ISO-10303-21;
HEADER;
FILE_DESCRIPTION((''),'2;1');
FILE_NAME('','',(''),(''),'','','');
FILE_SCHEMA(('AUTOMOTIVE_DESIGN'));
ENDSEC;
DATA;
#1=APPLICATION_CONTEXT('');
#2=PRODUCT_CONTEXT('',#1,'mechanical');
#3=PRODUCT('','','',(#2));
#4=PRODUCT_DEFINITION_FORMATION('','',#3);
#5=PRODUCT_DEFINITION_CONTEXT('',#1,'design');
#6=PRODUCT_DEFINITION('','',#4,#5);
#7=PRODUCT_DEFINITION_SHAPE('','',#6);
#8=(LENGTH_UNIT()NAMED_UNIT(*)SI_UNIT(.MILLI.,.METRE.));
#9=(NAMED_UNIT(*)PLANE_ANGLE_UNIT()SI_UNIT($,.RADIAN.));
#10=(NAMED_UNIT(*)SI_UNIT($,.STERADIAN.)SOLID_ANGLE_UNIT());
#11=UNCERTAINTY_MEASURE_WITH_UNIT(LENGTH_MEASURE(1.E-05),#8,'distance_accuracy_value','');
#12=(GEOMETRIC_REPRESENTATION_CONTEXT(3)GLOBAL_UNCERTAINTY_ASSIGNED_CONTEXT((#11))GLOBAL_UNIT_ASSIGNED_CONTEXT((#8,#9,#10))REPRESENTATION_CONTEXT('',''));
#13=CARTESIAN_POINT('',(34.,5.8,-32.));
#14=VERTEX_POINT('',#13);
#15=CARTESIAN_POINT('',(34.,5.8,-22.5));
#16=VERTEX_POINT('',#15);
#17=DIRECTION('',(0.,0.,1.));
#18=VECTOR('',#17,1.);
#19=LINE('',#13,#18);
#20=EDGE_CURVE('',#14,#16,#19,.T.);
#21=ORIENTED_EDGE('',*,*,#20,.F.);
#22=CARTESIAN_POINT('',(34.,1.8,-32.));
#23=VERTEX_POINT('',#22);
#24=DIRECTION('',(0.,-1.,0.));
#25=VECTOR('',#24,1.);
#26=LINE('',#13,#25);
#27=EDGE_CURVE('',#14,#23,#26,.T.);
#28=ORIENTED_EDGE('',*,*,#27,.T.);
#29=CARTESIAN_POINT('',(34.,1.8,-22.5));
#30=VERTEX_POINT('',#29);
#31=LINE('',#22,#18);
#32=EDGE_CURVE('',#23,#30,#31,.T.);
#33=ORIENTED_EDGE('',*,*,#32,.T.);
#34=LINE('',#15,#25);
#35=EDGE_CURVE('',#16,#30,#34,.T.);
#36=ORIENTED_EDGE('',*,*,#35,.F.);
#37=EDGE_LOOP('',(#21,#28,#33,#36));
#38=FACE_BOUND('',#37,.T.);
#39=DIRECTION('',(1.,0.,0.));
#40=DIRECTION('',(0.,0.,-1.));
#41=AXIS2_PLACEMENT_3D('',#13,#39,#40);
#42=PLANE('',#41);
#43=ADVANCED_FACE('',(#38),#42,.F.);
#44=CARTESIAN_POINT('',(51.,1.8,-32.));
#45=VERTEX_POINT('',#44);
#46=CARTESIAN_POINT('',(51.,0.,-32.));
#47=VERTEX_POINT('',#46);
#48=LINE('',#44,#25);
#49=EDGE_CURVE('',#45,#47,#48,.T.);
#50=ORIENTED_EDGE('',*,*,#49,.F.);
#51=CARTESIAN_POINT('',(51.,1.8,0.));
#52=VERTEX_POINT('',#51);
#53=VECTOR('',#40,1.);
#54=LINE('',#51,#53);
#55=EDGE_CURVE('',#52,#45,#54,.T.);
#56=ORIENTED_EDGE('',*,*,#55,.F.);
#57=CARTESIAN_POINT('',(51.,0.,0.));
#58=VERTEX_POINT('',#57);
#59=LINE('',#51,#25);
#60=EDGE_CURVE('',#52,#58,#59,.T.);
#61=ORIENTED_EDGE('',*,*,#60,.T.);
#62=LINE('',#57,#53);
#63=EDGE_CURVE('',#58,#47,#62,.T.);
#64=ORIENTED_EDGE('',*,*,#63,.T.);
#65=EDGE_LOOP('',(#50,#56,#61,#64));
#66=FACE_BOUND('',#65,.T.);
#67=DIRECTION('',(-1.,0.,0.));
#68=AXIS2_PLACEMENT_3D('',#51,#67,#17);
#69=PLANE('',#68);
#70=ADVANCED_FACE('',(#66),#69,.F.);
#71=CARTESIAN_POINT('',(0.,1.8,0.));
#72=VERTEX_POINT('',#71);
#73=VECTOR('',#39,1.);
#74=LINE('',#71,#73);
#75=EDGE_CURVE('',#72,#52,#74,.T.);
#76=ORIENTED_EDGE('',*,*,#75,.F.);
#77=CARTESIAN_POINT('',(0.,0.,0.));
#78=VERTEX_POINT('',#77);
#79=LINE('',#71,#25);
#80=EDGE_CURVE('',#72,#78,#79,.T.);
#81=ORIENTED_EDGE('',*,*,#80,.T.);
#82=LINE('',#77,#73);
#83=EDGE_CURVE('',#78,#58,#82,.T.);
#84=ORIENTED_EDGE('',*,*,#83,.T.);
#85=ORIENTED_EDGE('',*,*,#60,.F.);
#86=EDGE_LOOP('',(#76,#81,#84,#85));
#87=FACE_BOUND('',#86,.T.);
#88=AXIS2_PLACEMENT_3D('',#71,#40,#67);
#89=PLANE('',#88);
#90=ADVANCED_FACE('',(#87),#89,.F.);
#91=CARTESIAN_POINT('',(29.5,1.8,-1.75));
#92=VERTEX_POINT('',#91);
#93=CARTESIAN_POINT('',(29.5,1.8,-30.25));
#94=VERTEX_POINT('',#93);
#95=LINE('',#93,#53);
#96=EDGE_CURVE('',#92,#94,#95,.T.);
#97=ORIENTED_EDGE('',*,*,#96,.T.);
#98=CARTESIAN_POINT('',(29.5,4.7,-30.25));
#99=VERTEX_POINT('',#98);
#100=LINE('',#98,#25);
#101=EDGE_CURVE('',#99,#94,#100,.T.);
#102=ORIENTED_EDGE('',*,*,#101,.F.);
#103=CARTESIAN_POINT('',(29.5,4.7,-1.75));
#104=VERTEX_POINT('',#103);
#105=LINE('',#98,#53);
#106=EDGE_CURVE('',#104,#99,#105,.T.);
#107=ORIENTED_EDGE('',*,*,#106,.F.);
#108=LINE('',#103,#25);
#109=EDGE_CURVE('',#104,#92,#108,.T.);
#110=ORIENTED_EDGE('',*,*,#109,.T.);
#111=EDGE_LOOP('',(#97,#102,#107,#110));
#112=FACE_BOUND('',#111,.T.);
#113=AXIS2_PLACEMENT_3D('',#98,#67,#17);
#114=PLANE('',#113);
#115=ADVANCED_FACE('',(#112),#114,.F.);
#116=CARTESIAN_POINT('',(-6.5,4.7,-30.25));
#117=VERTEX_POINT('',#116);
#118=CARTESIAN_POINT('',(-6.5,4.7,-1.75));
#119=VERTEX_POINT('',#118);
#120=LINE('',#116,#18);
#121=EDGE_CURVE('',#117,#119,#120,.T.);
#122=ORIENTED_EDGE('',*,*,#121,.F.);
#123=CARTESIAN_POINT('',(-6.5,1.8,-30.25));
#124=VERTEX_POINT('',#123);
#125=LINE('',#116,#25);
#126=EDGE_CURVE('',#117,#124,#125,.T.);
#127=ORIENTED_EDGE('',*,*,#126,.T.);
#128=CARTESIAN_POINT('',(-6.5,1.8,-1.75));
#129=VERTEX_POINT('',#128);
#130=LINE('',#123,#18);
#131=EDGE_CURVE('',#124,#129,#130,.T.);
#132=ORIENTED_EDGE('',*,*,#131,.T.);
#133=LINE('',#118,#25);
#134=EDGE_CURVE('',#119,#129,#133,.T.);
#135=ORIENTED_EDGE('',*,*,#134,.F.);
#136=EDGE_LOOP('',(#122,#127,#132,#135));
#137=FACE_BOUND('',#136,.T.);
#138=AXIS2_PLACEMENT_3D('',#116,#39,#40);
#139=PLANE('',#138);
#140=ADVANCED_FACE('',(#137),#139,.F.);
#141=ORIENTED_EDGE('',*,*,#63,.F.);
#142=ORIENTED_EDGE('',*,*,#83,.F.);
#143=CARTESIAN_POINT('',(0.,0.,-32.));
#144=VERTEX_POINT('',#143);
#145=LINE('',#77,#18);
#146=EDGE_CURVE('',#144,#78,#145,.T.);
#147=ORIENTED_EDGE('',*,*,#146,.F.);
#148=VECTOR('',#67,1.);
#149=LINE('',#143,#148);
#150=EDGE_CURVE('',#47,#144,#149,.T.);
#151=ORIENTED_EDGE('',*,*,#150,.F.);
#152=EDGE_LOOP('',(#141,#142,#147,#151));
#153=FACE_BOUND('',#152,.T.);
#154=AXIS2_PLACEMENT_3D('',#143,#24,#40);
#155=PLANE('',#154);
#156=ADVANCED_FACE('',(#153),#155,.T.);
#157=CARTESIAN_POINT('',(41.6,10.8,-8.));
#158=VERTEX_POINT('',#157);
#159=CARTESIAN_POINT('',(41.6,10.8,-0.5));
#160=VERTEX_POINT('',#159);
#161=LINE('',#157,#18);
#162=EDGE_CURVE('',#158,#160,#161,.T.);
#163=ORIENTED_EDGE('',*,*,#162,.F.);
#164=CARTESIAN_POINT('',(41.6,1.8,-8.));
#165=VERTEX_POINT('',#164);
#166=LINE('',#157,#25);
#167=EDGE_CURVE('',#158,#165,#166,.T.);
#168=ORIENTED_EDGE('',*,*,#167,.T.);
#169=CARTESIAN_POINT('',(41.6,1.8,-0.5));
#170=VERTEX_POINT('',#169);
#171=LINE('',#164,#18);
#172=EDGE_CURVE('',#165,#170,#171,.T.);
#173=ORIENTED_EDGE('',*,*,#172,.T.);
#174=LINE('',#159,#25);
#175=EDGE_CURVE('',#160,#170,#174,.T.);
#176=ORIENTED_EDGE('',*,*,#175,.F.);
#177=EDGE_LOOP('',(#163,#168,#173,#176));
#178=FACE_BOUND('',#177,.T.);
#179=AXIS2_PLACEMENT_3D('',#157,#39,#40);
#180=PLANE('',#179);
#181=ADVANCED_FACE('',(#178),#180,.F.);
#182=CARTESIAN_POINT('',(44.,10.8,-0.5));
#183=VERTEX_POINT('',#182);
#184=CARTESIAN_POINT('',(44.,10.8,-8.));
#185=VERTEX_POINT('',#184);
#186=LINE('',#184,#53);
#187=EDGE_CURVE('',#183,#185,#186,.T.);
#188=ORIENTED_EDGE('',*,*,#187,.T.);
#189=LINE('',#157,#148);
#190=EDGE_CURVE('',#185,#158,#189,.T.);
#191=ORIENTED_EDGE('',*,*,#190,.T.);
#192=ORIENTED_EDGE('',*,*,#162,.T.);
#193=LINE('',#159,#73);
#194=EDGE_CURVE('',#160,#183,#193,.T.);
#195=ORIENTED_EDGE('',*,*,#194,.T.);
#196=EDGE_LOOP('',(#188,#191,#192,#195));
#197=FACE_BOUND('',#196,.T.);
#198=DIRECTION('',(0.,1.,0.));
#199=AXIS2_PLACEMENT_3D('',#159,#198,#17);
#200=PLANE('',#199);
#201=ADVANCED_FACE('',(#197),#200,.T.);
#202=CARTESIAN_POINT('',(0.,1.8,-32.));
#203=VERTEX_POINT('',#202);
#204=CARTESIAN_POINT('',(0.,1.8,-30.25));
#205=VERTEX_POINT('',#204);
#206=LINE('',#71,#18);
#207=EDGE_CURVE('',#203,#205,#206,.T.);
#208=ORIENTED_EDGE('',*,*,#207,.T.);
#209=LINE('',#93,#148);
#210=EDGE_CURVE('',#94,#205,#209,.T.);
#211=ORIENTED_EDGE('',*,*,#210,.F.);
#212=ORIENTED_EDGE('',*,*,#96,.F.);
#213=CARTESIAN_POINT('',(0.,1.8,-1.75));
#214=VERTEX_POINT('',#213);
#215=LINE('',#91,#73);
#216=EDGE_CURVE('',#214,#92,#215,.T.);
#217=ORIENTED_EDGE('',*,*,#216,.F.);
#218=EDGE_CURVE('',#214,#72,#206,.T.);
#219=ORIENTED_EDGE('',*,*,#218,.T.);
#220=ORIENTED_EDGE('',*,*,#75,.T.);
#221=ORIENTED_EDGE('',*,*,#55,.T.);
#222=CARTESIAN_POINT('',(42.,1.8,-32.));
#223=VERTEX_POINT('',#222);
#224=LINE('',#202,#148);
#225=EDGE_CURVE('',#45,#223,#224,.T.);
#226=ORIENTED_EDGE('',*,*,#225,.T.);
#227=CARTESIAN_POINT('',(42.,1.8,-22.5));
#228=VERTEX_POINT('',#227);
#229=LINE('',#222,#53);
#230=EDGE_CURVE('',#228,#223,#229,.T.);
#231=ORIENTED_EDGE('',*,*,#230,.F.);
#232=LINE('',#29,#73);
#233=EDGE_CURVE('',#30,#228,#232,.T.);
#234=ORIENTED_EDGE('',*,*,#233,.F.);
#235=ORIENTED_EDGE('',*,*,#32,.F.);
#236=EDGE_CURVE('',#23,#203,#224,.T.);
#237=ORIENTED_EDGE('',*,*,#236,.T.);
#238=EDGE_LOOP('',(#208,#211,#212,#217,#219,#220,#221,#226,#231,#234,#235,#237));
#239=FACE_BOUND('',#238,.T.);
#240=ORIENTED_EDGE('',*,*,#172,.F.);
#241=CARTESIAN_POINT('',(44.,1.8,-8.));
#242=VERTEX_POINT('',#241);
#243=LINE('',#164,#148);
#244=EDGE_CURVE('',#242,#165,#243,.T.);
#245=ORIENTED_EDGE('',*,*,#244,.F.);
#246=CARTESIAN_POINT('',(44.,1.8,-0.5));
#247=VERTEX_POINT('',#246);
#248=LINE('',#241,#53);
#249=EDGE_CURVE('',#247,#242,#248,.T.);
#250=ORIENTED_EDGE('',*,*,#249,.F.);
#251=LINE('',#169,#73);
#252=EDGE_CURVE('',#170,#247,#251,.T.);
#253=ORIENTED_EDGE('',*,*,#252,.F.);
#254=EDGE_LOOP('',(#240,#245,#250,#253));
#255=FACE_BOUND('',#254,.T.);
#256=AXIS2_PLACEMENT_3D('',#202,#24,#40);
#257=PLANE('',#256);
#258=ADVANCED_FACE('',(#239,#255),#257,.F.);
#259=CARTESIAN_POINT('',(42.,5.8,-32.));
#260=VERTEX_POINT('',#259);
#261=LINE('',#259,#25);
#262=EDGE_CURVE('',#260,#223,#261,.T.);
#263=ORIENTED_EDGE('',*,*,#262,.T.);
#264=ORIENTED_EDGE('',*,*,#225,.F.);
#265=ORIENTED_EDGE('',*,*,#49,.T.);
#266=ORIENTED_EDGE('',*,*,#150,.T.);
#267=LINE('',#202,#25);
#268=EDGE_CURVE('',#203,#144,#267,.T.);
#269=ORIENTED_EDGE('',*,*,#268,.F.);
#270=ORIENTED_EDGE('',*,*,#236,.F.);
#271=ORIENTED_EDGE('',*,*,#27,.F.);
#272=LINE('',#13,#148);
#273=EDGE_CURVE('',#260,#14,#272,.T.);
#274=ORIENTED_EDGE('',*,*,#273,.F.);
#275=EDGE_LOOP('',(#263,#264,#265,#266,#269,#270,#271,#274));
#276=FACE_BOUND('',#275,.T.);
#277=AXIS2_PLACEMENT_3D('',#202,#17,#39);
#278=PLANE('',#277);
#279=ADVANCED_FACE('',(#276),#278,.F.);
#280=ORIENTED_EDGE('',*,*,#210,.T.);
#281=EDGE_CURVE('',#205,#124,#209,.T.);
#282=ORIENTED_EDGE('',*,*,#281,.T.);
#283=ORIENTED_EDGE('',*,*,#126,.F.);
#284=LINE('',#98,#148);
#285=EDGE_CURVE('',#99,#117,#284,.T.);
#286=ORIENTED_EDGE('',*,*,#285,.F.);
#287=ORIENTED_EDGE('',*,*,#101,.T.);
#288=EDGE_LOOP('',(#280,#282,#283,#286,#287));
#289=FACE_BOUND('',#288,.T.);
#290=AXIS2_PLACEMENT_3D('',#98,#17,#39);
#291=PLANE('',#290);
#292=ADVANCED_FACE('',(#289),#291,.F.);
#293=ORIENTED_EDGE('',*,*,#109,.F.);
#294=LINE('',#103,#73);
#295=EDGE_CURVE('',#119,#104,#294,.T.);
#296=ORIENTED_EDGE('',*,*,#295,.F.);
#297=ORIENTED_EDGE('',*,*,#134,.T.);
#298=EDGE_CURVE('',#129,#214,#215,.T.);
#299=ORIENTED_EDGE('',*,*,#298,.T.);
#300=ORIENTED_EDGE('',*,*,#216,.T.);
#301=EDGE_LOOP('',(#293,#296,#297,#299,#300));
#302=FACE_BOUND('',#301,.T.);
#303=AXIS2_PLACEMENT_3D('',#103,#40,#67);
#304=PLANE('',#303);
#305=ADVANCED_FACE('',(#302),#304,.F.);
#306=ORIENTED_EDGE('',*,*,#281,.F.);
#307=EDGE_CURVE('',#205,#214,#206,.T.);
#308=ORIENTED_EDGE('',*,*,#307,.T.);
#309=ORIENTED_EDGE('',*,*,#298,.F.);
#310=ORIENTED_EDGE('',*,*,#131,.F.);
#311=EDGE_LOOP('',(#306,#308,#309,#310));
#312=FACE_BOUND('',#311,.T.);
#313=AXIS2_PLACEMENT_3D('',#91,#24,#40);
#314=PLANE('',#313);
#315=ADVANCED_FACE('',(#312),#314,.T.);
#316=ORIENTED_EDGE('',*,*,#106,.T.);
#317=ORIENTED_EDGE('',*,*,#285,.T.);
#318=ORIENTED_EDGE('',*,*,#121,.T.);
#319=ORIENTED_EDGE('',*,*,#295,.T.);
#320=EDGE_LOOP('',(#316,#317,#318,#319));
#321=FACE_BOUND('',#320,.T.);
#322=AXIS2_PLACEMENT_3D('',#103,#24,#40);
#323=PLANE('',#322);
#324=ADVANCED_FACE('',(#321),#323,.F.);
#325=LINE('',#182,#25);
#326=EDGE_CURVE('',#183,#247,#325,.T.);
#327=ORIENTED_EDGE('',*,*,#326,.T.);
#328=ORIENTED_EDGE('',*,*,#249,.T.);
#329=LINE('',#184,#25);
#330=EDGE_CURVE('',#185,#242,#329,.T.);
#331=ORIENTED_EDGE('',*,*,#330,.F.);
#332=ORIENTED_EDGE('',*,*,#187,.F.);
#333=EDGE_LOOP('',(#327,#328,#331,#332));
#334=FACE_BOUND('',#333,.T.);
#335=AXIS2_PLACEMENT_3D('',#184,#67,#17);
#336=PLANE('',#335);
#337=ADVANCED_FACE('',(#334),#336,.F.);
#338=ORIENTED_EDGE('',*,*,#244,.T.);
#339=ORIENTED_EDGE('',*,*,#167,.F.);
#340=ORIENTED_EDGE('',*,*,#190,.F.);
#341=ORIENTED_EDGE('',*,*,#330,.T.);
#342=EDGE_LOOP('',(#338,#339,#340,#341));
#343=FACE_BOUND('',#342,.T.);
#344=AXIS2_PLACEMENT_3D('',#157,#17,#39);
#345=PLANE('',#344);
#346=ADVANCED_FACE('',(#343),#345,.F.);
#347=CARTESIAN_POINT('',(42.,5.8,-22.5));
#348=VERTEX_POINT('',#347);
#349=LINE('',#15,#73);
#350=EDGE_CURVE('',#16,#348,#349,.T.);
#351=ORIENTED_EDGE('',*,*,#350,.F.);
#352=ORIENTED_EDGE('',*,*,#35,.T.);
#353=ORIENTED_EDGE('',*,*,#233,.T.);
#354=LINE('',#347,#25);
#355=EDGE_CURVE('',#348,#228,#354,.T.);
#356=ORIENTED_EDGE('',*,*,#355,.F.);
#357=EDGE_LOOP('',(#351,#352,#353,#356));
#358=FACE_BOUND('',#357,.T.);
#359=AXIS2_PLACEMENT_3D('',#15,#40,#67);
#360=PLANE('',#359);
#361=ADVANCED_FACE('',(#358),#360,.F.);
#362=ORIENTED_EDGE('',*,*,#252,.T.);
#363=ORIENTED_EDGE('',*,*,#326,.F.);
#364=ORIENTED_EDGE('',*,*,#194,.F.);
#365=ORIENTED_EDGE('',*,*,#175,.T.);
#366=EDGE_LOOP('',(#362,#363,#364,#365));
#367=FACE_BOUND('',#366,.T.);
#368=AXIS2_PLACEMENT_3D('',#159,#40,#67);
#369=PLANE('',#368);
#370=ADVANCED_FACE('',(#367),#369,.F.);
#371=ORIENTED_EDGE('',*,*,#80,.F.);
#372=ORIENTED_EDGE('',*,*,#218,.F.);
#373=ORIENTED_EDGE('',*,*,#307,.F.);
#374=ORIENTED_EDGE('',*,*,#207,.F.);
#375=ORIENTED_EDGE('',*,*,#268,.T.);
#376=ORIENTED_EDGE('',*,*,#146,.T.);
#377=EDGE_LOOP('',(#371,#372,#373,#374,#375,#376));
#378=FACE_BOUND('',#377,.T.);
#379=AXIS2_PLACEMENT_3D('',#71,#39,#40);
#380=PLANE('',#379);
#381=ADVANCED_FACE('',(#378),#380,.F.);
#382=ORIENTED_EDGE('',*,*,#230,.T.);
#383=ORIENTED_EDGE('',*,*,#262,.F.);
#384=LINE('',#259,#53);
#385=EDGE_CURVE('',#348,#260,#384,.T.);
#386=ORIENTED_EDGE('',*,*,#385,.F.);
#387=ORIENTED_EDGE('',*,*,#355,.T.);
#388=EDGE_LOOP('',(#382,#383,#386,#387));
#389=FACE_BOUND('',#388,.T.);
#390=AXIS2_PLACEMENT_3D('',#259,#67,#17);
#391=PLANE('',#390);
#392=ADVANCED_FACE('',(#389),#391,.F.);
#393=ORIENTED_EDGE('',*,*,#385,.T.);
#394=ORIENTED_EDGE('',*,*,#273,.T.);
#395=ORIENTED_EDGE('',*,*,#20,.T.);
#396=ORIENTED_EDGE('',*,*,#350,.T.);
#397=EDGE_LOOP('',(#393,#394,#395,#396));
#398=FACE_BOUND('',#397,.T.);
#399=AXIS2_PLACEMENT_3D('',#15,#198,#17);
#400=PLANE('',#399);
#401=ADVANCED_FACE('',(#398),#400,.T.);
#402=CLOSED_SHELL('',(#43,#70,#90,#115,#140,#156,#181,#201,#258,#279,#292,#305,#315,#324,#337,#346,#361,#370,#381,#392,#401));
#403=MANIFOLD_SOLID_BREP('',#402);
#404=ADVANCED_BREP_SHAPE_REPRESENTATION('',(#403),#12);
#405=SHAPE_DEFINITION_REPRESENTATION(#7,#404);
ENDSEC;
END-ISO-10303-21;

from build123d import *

# Parameters (mm, degrees)
SKETCH1_W           = 51
SKETCH1_H           = 32
BOSS_EXTRUDE1_DEPTH = 1.8
SKETCH2_W           = 36
SKETCH2_H           = 28.5
BOSS_EXTRUDE2_DEPTH = 2.9
SKETCH3_W           = 2.4
SKETCH3_H           = 7.5
BOSS_EXTRUDE3_DEPTH = 9
SKETCH4_W           = 8
SKETCH4_H           = 9.5
BOSS_EXTRUDE4_DEPTH = 4


with BuildPart() as part:
    # Sketch1 → Boss-Extrude1 (new body)
    with BuildSketch(Plane(origin=(0, 0, 0), x_dir=(1, 0, 0), z_dir=(0, 1, 0))):
        with Locations((25.5, 16)):
            Rectangle(SKETCH1_W, SKETCH1_H)
    extrude(amount=BOSS_EXTRUDE1_DEPTH)

    # Sketch2 → Boss-Extrude2 (add)
    with BuildSketch(Plane(origin=(0, 1.8, 0), x_dir=(1, 0, 0), z_dir=(0, 1, 0))):
        with Locations((11.5, 16)):
            Rectangle(SKETCH2_W, SKETCH2_H)
    extrude(amount=BOSS_EXTRUDE2_DEPTH)

    # Sketch3 → Boss-Extrude3 (add)
    with BuildSketch(Plane(origin=(0, 1.8, 0), x_dir=(1, 0, 0), z_dir=(0, 1, 0))):
        with Locations((42.8, 4.25)):
            Rectangle(SKETCH3_W, SKETCH3_H)
    extrude(amount=BOSS_EXTRUDE3_DEPTH)

    # Sketch4 → Boss-Extrude4 (add)
    with BuildSketch(Plane(origin=(0, 1.8, 0), x_dir=(1, 0, 0), z_dir=(0, 1, 0))):
        with Locations((38, 27.25)):
            Rectangle(SKETCH4_W, SKETCH4_H)
    extrude(amount=BOSS_EXTRUDE4_DEPTH)


solid = part.part
